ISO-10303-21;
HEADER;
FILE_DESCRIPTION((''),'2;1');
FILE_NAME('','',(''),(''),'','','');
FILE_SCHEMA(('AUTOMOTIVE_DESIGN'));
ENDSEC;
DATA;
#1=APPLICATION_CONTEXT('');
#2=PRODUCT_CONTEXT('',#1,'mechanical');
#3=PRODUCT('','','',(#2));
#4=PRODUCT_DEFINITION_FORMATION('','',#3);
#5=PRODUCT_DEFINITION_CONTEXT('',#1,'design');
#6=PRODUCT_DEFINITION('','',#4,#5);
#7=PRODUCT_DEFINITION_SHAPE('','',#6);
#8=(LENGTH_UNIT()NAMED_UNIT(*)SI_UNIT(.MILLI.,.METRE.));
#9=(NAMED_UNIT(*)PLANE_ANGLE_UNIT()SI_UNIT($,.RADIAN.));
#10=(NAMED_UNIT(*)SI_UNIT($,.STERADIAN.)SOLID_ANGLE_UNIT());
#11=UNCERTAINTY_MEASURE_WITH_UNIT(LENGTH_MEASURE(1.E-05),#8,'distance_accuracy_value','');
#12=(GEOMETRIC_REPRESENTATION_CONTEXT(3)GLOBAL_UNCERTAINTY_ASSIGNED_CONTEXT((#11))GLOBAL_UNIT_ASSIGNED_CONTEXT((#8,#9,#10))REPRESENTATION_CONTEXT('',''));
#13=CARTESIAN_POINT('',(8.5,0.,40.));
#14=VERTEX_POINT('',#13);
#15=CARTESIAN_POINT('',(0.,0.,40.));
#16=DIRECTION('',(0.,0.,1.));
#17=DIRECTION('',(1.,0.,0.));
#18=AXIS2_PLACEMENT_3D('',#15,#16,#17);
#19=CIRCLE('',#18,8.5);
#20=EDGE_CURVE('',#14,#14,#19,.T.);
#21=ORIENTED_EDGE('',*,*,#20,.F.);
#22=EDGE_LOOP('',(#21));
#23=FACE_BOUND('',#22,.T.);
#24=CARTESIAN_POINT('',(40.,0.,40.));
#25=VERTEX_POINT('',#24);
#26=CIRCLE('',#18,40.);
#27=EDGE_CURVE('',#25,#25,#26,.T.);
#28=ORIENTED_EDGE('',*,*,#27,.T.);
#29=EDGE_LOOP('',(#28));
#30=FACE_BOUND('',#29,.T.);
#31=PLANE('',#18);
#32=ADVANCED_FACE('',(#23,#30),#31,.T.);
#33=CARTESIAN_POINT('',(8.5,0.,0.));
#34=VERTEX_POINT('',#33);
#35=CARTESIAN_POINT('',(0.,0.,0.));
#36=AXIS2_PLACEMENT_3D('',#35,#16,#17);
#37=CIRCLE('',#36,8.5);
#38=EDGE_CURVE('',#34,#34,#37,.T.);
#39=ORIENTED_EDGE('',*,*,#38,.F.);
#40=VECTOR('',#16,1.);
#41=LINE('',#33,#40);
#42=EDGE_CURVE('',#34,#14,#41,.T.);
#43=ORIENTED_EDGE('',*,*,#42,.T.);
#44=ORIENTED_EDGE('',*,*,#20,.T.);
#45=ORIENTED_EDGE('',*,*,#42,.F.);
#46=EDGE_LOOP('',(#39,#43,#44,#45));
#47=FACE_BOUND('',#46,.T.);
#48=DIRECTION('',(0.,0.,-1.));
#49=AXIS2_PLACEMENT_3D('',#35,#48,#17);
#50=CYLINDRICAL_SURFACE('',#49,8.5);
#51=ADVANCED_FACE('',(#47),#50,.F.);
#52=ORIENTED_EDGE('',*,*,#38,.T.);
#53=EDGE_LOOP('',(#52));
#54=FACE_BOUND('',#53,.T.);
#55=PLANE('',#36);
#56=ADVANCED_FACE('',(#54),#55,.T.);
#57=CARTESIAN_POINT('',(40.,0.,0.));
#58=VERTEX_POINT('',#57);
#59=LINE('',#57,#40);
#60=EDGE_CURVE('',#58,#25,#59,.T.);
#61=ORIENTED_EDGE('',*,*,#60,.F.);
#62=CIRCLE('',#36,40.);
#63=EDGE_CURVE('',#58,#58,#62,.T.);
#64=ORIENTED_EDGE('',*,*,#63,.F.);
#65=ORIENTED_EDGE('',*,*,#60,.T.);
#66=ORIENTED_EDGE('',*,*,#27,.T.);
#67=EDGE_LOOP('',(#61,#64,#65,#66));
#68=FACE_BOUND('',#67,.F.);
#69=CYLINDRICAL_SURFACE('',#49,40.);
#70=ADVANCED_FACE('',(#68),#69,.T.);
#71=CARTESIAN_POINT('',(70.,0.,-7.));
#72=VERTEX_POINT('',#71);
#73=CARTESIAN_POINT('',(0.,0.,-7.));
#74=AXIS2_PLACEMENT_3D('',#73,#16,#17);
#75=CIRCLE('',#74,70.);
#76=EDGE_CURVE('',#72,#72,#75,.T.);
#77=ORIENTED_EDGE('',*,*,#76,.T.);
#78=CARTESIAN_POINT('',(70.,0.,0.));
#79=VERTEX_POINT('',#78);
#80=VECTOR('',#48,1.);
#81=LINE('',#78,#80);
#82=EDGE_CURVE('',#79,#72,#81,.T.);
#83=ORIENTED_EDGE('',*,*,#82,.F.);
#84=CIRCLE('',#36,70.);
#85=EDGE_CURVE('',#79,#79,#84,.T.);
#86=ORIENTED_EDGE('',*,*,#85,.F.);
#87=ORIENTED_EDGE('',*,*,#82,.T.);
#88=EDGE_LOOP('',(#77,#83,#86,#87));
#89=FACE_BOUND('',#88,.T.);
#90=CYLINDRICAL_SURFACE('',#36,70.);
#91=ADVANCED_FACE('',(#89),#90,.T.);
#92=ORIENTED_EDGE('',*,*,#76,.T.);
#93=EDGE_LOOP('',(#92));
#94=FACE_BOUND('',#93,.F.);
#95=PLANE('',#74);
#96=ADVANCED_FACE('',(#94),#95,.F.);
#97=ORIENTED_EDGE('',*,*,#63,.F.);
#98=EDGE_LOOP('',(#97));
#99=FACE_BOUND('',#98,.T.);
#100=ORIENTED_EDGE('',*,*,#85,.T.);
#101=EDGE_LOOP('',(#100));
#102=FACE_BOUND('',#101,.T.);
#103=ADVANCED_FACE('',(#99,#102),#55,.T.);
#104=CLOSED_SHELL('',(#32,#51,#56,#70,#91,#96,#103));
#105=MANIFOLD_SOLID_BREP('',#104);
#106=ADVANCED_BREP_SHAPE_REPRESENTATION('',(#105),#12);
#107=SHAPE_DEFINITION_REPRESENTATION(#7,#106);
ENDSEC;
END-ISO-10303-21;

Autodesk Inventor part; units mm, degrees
ref_plane "YZ Plane" through (0, 0, 0) normal (1, 0, 0) x (0, 1, 0)
ref_plane "XZ Plane" through (0, 0, 0) normal (0, 1, 0) x (-1, 0, 0)
ref_plane "XY Plane" through (0, 0, 0) normal (0, 0, 1) x (1, 0, 0)
sketch "Sketch1" plane through (0, 0, 0) normal (0, 0, 1) x (1, 0, 0)
  circle A0 centre (0, 0) radius 70
  circle A1 centre (0, 0) radius 8.5
  circle A2 centre (0, 0) radius 40
  dimension "d0" = 140
  dimension "d1" = 17
  dimension "d2" = 80
extrude "Extrusion1" add sketch "Sketch1" against normal blind 7 contours A0 | A1 | A2
extrude "Extrusion2" add sketch "Sketch1" along normal blind 40 contours A2
properties part number "47T-Sprocket"
